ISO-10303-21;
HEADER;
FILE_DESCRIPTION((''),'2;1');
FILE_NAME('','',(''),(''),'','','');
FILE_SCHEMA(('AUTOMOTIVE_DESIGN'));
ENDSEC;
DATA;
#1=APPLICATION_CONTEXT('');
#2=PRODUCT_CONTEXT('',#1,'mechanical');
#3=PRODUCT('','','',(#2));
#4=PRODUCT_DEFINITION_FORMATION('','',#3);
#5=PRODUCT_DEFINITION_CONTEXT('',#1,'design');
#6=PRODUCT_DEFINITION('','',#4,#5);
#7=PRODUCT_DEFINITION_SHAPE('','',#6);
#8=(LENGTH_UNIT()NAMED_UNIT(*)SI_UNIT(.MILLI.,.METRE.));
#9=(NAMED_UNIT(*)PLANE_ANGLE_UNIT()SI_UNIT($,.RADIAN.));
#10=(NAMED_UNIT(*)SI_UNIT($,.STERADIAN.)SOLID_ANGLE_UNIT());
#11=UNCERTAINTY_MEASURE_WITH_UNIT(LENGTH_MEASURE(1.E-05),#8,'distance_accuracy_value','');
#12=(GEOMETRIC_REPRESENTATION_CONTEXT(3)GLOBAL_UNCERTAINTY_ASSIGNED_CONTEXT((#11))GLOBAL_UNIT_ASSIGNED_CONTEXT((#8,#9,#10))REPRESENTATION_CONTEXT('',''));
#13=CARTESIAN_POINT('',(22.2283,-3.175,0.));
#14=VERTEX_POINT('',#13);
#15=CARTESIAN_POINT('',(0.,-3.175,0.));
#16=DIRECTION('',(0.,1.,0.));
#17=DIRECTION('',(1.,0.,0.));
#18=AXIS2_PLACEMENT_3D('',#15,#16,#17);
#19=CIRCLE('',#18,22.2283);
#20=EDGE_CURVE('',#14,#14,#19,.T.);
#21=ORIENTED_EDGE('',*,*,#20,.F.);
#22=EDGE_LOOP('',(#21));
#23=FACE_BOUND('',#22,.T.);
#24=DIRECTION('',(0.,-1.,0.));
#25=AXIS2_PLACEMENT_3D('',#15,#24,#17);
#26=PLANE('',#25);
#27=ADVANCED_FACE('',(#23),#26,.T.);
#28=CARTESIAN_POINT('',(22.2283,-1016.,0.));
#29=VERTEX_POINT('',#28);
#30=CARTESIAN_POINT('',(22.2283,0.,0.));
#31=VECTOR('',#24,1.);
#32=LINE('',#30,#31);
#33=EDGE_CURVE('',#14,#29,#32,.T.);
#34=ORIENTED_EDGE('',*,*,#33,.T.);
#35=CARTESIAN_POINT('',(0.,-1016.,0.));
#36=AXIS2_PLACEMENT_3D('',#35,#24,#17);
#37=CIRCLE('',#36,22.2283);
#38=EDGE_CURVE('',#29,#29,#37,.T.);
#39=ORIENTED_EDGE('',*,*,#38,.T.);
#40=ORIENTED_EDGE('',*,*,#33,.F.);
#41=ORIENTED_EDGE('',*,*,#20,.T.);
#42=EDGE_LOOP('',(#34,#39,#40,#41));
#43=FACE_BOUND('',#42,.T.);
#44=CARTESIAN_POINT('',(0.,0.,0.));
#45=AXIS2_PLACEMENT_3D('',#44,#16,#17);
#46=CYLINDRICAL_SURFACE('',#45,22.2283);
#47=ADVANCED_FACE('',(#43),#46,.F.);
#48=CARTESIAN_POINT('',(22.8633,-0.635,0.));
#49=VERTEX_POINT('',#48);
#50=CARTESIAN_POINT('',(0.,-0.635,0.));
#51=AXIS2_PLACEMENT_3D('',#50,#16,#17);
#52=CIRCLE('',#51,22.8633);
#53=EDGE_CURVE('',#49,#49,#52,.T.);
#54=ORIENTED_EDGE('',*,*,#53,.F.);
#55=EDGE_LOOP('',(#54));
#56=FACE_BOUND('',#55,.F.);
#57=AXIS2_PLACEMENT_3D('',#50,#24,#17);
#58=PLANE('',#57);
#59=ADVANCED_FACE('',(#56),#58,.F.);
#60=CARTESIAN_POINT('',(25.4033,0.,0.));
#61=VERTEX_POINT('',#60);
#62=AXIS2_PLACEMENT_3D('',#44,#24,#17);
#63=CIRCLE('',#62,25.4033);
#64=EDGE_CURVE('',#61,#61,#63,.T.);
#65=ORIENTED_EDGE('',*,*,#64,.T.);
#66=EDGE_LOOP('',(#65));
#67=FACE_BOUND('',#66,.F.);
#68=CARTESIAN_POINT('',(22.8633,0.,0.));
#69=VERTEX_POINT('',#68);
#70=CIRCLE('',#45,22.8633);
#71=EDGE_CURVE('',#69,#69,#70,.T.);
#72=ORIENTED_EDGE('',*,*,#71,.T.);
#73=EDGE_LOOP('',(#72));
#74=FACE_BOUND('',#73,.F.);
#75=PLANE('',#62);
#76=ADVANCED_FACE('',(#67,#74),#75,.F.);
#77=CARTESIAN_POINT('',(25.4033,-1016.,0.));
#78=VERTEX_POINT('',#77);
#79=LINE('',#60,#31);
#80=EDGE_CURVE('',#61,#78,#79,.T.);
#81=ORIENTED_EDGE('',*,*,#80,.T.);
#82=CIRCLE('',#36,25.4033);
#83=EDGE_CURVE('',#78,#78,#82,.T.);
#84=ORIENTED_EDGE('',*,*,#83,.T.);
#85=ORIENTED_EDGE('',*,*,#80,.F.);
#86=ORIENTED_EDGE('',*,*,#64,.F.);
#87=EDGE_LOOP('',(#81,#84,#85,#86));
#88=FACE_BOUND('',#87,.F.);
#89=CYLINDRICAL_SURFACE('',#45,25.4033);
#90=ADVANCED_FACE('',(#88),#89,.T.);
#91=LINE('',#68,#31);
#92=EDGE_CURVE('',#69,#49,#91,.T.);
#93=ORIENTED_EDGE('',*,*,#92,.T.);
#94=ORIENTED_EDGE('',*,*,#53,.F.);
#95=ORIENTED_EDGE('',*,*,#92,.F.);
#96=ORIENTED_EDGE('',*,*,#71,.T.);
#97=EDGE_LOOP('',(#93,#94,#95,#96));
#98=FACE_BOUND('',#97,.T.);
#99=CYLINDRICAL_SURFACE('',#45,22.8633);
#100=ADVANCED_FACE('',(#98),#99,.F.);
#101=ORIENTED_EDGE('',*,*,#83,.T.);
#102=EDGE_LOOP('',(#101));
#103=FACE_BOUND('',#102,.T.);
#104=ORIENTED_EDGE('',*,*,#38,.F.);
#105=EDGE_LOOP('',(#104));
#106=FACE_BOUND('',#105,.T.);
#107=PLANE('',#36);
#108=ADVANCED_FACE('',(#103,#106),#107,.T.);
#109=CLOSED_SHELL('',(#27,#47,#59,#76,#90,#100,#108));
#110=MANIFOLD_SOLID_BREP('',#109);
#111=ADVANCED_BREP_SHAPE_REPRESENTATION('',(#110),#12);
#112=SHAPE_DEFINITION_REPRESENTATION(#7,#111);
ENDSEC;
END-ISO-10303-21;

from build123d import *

# Parameters (mm, degrees)
F0_R     = 25.4032998263
F1_DEPTH = 1016
F2_T     = -3.175
F3_T     = -2.54


with BuildPart() as f1:
    # F0 (on Front) → F1 (new body)
    with BuildSketch(Plane.XZ):
        Circle(F0_R)
    extrude(amount=F1_DEPTH)

    # F2
    f2_openings = [f1.faces().sort_by_distance(p)[0] for p in [
        (0, -1016, 0),
    ]]
    offset(amount=F2_T, openings=f2_openings)

    # F3
    f3_openings = [f1.faces().sort_by_distance(p)[0] for p in [
        (0, 0, 0),
    ]]
    offset(amount=F3_T, openings=f3_openings, kind=Kind.INTERSECTION)


solid = f1.part
